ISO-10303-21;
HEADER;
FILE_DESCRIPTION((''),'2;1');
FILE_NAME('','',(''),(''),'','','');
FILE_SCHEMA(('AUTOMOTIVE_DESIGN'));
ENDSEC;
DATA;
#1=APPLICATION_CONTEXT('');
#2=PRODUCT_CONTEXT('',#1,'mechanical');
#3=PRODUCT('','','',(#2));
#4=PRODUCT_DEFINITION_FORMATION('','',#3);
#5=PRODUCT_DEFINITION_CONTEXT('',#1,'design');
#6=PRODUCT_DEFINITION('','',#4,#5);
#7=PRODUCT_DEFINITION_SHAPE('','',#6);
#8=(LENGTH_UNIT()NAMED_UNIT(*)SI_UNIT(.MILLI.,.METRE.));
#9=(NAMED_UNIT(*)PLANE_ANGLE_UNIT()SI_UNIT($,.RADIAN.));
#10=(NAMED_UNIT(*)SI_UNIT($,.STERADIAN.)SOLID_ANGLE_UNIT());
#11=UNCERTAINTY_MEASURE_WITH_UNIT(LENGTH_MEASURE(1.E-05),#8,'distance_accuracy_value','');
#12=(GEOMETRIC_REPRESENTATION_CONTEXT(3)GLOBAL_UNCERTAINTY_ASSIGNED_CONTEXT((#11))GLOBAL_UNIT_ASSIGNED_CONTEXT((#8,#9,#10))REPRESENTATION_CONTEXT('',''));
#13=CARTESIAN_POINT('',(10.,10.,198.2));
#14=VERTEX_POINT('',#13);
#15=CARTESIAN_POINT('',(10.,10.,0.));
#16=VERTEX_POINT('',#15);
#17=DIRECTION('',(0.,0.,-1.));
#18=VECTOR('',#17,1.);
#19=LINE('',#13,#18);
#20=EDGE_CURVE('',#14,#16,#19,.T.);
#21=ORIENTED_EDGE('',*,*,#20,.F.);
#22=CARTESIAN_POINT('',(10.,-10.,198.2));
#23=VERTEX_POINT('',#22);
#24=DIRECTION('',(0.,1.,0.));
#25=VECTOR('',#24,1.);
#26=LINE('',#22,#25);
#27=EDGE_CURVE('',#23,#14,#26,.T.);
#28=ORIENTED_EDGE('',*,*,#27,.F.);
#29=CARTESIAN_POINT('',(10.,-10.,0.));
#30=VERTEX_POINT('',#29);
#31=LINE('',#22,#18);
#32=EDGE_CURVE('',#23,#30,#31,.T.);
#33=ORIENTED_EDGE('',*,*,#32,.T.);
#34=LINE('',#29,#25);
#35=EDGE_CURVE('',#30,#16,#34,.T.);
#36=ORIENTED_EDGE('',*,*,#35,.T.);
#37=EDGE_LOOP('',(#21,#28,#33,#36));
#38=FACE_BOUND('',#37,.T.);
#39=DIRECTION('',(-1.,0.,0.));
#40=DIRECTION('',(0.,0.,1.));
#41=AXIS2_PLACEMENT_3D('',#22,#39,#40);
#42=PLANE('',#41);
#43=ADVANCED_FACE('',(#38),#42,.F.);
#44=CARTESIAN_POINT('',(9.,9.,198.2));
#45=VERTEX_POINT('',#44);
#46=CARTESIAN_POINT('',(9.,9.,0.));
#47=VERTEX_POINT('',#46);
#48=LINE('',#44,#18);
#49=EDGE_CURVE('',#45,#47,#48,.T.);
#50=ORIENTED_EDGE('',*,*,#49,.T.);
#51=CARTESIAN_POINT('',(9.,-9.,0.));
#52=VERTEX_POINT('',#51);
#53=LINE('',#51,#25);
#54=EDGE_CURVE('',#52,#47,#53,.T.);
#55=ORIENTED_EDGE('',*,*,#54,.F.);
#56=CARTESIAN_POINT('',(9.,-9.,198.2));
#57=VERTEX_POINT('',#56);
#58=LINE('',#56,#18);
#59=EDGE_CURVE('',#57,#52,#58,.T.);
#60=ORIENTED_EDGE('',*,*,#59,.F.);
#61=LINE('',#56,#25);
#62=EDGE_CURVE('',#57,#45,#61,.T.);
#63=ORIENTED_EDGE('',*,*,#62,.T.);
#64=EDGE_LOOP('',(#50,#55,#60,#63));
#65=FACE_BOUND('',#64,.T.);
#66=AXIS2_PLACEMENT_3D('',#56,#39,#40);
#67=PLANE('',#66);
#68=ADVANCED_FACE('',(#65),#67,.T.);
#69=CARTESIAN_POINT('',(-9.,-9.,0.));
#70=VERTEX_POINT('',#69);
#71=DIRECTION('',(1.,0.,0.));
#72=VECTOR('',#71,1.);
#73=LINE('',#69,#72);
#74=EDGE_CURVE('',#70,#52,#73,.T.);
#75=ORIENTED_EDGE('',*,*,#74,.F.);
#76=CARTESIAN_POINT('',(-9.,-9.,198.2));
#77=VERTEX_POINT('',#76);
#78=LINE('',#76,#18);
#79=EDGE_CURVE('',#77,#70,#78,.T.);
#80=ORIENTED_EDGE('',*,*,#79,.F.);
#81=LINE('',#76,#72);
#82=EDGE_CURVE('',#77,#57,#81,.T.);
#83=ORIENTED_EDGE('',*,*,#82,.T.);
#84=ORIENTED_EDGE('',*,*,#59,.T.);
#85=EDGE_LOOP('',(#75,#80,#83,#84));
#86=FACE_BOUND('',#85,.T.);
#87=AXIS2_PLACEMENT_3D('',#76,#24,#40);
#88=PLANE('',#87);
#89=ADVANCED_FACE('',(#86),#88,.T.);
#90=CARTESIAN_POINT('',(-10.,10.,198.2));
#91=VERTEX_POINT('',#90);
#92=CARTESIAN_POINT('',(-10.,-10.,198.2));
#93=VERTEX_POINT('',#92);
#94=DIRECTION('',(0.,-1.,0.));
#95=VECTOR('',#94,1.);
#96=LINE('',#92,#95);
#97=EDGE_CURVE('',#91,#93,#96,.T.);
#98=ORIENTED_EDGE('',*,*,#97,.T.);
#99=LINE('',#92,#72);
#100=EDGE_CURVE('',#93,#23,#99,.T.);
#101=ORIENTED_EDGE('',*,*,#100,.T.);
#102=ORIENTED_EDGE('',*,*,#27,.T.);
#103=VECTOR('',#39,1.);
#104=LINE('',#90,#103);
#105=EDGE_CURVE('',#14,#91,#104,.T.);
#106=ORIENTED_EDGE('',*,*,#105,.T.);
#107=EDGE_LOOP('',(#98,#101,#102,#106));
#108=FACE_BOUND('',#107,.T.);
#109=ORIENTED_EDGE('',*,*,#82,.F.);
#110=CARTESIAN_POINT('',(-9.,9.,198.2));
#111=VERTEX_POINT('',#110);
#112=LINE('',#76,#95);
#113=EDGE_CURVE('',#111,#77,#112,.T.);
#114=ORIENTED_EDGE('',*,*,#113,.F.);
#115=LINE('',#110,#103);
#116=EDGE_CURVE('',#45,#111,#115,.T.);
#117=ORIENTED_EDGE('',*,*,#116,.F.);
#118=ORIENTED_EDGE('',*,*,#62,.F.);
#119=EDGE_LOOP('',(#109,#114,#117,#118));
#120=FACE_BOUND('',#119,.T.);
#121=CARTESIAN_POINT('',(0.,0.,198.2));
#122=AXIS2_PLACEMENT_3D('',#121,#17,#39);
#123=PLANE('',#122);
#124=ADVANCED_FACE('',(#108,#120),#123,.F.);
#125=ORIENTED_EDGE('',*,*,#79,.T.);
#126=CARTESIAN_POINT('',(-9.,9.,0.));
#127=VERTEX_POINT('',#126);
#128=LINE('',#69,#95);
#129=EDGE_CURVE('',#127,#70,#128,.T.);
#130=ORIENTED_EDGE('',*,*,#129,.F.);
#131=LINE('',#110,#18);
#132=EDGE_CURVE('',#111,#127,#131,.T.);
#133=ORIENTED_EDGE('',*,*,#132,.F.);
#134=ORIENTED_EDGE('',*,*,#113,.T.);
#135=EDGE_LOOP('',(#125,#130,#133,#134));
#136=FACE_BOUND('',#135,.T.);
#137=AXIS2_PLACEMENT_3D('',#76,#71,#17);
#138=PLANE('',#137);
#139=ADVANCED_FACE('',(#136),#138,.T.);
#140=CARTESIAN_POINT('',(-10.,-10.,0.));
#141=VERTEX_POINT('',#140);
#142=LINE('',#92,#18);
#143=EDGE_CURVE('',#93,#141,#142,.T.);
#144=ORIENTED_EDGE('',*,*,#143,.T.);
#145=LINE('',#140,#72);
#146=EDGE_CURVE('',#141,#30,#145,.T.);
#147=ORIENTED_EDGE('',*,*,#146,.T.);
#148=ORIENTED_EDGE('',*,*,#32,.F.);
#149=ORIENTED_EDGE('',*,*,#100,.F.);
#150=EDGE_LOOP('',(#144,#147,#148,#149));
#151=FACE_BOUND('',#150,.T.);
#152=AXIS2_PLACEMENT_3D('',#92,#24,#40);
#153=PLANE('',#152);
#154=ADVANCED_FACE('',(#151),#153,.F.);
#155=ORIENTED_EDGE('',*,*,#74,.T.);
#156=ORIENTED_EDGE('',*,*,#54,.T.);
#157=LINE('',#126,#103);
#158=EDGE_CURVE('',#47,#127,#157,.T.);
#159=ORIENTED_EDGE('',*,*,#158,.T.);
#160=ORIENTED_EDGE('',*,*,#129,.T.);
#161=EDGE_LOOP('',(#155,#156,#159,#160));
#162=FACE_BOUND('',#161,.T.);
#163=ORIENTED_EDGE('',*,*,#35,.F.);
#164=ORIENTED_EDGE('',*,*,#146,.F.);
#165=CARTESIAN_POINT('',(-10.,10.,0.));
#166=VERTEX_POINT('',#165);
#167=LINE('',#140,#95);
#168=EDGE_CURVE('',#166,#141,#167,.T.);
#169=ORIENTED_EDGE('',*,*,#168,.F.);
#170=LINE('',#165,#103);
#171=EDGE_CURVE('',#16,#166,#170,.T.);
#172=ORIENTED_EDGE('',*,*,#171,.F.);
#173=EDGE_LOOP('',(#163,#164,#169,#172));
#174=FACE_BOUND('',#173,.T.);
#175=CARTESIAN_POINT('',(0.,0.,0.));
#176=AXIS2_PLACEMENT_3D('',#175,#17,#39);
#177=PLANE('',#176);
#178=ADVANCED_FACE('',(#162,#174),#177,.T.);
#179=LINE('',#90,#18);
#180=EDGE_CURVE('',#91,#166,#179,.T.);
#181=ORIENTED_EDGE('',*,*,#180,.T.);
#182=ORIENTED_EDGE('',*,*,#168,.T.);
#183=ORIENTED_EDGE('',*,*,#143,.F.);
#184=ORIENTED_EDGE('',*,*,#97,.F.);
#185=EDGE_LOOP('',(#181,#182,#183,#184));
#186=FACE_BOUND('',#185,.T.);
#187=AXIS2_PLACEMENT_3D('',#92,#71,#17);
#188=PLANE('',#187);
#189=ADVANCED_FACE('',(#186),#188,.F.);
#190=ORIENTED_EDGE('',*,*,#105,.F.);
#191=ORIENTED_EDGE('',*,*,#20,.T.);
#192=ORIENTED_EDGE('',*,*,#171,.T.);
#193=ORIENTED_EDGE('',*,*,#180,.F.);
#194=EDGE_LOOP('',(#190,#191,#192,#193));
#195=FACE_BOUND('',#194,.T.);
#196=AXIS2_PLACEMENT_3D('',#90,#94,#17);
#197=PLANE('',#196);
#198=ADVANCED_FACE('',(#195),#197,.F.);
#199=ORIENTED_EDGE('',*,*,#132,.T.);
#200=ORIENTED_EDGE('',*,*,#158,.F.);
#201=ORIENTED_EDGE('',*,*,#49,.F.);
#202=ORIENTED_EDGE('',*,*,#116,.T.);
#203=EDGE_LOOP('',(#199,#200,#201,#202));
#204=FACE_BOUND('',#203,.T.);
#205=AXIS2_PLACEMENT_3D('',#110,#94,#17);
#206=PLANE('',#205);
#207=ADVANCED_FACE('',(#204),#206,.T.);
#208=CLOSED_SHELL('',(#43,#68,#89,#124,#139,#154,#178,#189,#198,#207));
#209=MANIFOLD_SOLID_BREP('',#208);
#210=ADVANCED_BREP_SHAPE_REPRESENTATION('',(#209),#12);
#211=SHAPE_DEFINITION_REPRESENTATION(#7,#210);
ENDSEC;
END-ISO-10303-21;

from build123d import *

# Parameters (mm, degrees)
SKETCH1_W           = 20
SKETCH1_H           = 20
SKETCH1_W_2         = 18
SKETCH1_H_2         = 18
BOSS_EXTRUDE1_DEPTH = 198.2


with BuildPart() as part:
    # Sketch1 → Boss-Extrude1 (new body)
    with BuildSketch(Plane.XY):
        Rectangle(SKETCH1_W, SKETCH1_H)
        Rectangle(SKETCH1_W_2, SKETCH1_H_2, mode=Mode.SUBTRACT)
    extrude(amount=BOSS_EXTRUDE1_DEPTH)


solid = part.part
